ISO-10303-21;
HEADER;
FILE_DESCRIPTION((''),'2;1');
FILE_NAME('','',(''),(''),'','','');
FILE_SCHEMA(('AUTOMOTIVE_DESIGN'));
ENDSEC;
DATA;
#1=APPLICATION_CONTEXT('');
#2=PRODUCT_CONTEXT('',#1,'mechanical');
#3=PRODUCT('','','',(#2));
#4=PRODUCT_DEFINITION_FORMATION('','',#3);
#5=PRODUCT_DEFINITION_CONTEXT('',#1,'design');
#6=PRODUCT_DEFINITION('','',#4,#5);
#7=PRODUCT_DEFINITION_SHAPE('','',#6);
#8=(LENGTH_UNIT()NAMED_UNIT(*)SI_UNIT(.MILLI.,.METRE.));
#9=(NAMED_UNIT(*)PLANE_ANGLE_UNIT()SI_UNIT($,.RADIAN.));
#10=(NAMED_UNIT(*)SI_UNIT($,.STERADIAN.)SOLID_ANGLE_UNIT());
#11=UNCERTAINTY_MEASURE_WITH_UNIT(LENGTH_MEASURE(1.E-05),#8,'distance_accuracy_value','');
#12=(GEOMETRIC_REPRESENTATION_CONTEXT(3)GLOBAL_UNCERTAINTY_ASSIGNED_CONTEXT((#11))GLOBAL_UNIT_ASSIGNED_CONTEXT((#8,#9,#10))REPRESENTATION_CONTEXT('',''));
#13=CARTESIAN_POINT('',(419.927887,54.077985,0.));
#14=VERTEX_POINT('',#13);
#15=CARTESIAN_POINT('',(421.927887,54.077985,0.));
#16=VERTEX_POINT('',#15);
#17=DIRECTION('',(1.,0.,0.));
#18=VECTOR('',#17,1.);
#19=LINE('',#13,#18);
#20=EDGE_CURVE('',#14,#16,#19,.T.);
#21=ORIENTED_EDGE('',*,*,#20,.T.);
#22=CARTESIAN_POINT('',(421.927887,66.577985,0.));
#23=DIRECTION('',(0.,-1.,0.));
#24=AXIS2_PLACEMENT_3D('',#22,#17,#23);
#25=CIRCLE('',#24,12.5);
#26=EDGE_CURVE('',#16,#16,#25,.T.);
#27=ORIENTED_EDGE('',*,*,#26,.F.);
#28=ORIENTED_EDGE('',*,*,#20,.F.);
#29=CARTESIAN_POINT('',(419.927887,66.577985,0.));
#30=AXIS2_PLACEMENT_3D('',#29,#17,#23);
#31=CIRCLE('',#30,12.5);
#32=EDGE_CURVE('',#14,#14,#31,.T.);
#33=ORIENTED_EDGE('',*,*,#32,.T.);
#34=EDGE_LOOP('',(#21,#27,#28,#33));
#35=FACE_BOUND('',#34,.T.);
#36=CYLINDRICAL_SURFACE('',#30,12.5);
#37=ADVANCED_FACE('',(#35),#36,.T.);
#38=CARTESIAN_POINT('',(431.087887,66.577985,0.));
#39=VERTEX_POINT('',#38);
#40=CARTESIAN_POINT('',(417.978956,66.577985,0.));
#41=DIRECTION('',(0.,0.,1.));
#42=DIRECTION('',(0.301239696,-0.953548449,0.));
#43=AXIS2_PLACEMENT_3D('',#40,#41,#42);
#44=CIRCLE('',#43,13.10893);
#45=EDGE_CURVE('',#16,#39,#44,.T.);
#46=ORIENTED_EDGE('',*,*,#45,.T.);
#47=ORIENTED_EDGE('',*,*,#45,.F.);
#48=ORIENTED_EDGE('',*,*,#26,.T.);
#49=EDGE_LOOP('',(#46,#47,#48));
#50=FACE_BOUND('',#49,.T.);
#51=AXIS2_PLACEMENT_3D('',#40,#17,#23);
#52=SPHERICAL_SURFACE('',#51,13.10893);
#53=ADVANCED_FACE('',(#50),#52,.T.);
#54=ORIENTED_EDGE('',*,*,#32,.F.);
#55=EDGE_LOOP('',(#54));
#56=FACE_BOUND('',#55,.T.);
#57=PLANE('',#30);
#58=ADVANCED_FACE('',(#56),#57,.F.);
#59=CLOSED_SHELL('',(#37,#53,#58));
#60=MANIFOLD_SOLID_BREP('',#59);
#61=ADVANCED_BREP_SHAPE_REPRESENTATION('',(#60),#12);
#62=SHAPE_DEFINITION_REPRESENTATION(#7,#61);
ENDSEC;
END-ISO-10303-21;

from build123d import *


with BuildPart() as part:
    # 草图1 → 旋转1 (revolve)
    with BuildSketch(Plane.XY, mode=Mode.PRIVATE) as revolve_1_sk:
        with BuildLine():
            Line((419.927886619, 66.577985104), (419.927886619, 79.077985104))
            Line((419.927886619, 79.077985104), (421.927886619, 79.077985104))
            ThreePointArc((421.927886619, 79.077985104), (428.552751889, 74.326462374), (431.087886619, 66.577985104))
            Line((431.087886619, 66.577985104), (419.927886619, 66.577985104))
        make_face()
    revolve(revolve_1_sk.sketch.rotate(Axis((417.4229376, 66.577985104, 0), (1, 0, 0)), 180), axis=Axis((417.4229376, 66.577985104, 0), (1, 0, 0)))  # turned: the seam where the file's is


solid = part.part
